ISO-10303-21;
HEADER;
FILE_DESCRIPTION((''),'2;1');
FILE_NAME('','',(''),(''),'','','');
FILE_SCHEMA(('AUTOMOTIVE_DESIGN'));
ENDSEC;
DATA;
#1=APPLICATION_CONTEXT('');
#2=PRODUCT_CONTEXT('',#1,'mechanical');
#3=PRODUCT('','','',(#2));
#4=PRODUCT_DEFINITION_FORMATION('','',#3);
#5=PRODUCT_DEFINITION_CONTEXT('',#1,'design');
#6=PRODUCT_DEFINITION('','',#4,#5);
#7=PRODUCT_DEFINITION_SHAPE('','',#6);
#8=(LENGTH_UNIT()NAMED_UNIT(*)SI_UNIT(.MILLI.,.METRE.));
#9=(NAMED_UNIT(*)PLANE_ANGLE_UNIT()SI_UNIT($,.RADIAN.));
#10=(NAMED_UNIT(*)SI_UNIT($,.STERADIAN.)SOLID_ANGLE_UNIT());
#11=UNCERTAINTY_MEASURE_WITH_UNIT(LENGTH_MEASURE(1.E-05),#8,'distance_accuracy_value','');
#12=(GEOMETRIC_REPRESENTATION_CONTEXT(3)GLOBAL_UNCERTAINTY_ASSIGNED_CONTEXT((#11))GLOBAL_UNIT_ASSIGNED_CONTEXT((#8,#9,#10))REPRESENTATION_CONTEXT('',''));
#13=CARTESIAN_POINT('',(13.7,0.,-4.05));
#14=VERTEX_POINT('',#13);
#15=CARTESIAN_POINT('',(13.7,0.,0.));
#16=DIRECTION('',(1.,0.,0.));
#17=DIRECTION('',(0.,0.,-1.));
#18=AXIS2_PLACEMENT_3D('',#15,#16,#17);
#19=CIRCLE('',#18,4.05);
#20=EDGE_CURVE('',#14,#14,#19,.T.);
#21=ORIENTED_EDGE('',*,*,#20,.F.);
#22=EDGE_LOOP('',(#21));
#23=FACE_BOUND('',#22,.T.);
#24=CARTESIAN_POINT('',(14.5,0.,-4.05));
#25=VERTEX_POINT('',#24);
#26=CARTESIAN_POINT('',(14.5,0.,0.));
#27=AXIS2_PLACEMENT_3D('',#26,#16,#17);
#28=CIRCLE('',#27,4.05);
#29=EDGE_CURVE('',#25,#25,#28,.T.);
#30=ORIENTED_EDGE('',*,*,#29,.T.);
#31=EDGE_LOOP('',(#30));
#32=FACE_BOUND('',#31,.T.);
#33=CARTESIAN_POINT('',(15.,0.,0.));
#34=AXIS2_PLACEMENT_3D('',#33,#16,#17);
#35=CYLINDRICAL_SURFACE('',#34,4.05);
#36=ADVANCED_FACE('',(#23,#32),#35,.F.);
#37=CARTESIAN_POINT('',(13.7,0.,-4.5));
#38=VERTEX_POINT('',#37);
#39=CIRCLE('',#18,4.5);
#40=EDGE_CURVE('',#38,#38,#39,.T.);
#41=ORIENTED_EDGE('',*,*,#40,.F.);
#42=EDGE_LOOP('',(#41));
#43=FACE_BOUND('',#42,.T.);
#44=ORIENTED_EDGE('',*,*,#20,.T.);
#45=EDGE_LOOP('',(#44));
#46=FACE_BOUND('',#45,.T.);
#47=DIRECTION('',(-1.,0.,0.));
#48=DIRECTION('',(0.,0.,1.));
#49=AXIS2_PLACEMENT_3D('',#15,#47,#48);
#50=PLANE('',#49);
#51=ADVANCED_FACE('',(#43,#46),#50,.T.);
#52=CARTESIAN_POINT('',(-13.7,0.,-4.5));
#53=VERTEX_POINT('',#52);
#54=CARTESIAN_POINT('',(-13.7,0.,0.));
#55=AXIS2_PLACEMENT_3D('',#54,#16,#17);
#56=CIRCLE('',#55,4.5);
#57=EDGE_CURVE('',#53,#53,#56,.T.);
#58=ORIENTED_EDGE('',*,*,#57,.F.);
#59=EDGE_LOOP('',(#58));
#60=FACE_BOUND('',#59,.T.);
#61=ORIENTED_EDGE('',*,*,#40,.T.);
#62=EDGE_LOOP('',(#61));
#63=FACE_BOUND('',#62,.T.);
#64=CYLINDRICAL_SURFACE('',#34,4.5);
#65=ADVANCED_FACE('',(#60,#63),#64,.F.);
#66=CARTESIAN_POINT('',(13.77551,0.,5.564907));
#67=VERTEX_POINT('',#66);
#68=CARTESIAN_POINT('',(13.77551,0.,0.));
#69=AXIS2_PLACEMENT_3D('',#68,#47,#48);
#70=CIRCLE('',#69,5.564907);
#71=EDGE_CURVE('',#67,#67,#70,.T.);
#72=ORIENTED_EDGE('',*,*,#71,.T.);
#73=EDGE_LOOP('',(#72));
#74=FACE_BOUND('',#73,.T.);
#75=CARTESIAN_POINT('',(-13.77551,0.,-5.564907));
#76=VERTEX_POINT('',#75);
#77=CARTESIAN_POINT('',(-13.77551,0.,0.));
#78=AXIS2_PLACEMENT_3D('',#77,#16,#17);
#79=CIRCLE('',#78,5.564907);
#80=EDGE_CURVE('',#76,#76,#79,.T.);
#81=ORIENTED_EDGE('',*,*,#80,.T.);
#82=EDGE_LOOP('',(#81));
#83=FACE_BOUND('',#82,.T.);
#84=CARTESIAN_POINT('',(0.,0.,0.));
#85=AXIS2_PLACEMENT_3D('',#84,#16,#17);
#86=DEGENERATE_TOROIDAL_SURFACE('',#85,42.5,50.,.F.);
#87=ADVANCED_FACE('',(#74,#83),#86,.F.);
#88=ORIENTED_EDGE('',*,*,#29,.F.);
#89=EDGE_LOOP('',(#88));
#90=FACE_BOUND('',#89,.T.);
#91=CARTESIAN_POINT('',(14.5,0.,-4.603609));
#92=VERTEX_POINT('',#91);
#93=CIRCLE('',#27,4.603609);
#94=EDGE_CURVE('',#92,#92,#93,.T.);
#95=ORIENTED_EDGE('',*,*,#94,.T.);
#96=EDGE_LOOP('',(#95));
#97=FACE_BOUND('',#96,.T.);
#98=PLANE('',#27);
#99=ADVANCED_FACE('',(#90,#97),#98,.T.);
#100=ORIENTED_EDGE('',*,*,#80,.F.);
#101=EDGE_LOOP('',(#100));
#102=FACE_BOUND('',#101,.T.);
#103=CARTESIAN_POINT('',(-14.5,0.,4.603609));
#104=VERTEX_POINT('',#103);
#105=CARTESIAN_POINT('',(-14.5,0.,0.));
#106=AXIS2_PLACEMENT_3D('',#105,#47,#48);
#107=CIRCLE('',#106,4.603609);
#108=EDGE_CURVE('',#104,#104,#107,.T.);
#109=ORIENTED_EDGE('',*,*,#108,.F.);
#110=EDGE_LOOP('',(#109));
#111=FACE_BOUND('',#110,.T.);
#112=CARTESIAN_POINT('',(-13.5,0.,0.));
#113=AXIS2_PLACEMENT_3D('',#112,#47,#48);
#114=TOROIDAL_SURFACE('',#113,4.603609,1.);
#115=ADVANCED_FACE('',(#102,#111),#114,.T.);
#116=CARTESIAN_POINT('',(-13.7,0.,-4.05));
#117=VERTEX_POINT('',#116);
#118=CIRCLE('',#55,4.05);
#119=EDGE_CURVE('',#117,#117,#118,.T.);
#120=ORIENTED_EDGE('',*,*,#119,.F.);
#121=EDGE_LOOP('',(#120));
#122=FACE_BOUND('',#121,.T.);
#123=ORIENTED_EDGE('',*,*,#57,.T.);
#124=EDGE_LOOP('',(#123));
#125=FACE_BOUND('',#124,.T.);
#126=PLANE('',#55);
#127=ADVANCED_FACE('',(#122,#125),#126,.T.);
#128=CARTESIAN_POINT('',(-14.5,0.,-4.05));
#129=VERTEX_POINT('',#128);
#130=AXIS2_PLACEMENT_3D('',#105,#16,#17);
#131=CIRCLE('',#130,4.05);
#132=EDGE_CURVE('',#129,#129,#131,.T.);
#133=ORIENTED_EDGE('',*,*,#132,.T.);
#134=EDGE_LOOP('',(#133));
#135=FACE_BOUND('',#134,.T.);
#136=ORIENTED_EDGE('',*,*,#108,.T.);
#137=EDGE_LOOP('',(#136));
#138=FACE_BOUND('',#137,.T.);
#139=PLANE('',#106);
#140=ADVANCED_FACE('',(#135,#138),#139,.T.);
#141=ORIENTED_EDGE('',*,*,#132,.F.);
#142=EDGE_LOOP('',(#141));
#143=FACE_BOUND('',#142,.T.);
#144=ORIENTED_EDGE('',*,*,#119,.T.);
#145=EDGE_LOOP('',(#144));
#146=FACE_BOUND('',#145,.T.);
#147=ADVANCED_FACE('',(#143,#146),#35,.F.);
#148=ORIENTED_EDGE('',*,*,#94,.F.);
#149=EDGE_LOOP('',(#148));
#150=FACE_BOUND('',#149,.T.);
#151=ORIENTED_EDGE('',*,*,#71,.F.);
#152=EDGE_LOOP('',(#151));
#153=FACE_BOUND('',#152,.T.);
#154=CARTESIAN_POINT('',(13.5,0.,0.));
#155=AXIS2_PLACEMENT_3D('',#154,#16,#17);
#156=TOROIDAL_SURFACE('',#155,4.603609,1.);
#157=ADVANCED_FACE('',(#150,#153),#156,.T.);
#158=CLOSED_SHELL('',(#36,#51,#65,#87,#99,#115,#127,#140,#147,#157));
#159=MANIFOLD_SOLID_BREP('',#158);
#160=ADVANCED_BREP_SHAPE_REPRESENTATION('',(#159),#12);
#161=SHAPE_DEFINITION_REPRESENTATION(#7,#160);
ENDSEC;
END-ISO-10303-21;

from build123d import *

# Parameters (mm, degrees)
FILLET1_R = 1


with BuildPart() as part:
    # Sketch2 → Revolve1 (revolve)
    with BuildSketch(Plane(origin=(0, 0, 0), x_dir=(1, 0, 0), z_dir=(0, 1, 0))):
        with BuildLine():
            Line((-14.5, 5.35133227), (-14.5, 4.05))
            Line((-14.5, 4.05), (-13.7, 4.05))
            Line((-13.7, 4.05), (-13.7, 4.5))
            Line((-13.7, 4.5), (13.7, 4.5))
            Line((13.7, 4.5), (13.7, 4.05))
            Line((13.7, 4.05), (14.5, 4.05))
            Line((14.5, 4.05), (14.5, 5.35133227))
            ThreePointArc((14.5, 5.35133227), (0, 7.5), (-14.5, 5.35133227))
        make_face()
    revolve(axis=Axis((15, 0, 0), (-1, 0, 0)))

    # Fillet1
    fillet1_edges = [part.edges().sort_by_distance(p)[0] for p in [
        (-14.5, 0, 5.35133227),
        (14.5, 0, 5.35133227),
    ]]
    fillet(fillet1_edges, radius=FILLET1_R)


solid = part.part
